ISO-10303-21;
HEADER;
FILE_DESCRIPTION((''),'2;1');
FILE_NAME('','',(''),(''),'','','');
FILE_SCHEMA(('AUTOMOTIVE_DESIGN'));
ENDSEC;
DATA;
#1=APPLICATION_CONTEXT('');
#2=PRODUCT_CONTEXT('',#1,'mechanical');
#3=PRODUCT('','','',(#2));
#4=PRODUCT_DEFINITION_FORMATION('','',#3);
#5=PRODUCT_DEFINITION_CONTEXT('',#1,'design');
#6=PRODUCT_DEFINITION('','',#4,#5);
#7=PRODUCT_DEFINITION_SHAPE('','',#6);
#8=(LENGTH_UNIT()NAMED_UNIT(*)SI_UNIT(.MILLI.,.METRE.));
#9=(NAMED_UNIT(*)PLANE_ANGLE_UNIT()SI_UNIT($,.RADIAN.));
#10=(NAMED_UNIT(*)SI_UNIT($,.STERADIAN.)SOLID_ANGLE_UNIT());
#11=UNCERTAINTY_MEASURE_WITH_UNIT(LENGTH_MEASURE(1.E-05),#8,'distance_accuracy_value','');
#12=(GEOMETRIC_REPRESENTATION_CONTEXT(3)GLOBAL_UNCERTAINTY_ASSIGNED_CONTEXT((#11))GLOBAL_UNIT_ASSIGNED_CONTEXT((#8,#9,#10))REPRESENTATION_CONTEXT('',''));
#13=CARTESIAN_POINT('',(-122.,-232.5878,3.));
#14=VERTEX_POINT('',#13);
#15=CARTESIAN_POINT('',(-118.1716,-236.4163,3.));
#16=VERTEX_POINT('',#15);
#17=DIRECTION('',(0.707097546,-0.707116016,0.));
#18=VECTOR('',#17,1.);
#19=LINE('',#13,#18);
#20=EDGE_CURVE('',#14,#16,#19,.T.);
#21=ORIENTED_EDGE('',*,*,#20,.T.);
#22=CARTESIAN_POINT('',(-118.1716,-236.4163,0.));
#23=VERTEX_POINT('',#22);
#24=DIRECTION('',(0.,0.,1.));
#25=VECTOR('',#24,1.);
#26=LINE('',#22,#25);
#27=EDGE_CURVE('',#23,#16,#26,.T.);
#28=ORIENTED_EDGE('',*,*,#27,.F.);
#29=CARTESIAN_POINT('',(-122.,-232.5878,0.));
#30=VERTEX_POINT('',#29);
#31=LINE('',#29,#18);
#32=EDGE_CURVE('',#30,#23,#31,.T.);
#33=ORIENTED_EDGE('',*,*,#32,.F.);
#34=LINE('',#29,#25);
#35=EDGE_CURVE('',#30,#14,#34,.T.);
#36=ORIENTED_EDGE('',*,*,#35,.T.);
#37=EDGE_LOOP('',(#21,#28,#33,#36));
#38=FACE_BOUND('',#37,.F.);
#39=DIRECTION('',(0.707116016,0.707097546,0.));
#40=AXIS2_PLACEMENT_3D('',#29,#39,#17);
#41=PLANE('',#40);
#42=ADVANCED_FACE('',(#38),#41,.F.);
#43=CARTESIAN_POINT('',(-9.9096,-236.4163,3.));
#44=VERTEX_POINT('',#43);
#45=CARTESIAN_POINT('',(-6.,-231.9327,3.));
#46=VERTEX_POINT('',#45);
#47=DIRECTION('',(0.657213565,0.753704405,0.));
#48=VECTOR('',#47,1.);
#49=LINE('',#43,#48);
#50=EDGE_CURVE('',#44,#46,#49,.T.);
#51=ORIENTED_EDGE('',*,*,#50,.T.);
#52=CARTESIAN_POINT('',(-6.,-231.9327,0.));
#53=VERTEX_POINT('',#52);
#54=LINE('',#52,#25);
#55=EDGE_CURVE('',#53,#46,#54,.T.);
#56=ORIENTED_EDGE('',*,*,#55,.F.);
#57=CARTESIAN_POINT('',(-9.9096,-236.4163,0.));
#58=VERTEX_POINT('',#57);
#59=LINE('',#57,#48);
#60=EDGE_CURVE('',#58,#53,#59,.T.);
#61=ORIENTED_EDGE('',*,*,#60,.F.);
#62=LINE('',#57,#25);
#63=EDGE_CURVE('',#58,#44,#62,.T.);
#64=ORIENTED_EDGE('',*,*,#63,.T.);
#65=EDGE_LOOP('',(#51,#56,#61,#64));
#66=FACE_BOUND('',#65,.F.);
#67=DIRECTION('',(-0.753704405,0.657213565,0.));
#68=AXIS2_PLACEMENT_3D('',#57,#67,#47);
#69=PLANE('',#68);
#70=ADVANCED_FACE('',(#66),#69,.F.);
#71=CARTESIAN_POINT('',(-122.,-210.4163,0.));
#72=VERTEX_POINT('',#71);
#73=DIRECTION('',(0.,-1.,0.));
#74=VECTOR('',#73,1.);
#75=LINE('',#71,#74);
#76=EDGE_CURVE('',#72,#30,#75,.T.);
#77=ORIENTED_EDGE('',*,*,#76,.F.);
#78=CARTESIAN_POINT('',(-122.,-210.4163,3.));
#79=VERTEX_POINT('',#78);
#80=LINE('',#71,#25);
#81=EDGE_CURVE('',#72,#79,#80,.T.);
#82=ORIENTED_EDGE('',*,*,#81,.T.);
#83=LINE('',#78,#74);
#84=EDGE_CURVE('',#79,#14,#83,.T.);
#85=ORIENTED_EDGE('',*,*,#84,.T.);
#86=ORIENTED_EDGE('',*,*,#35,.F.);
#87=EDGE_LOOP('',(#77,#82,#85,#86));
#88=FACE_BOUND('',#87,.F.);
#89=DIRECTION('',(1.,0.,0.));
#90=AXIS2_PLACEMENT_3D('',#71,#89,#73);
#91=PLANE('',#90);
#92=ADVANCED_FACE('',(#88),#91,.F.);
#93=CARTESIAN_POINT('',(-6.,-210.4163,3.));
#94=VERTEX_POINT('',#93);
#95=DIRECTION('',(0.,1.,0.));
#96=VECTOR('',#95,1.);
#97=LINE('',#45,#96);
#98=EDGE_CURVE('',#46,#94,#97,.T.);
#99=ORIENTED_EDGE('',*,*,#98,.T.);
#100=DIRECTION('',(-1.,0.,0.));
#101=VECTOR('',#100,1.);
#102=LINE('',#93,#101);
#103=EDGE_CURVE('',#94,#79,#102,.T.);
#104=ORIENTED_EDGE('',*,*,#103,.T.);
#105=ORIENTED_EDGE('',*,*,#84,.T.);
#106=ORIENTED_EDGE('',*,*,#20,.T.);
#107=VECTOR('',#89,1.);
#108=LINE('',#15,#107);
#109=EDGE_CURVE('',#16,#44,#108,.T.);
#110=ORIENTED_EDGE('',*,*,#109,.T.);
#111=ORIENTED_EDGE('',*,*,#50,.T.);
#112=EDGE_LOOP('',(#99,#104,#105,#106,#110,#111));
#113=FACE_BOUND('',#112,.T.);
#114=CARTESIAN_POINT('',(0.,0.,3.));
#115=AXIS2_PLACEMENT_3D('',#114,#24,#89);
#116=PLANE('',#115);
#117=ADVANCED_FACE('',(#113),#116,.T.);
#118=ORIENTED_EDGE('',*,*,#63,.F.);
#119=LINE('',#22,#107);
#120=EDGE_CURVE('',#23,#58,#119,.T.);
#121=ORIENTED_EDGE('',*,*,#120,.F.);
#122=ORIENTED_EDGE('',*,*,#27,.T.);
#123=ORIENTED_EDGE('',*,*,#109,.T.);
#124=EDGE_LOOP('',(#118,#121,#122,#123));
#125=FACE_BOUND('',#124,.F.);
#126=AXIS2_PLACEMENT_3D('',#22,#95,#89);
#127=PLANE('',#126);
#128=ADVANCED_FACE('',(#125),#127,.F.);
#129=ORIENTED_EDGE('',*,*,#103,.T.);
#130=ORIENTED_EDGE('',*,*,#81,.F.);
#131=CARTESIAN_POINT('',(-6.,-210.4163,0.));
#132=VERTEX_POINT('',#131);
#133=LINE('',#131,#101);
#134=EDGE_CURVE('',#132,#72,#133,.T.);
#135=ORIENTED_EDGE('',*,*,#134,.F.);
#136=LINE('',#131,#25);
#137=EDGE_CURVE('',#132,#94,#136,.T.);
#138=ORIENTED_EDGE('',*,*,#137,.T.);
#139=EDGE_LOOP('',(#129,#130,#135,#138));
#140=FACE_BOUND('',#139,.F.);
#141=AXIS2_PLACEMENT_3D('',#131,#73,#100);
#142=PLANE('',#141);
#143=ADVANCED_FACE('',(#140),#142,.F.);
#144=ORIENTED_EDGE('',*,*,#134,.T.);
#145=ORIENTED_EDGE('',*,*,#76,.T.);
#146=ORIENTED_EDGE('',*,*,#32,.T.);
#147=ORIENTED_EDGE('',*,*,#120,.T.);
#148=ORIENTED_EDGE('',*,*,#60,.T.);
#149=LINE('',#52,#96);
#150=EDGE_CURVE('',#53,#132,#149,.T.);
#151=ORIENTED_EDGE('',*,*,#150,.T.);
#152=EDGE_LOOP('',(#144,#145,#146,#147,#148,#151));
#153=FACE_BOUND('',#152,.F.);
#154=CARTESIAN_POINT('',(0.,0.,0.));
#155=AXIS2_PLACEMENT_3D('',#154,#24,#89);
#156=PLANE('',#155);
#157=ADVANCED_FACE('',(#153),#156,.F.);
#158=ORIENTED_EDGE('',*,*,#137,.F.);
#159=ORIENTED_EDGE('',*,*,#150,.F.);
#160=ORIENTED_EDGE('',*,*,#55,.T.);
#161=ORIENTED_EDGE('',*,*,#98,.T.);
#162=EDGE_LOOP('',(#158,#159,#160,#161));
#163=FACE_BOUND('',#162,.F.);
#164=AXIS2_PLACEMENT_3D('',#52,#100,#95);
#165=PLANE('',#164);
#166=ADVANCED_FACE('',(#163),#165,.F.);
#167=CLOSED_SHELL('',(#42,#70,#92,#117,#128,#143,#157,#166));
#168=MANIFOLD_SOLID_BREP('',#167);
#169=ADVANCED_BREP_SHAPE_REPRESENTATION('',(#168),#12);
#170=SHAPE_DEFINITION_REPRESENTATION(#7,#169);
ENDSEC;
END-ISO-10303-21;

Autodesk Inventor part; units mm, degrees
ref_plane "YZ Plane" through (0, 0, 0) normal (1, 0, 0) x (0, 1, 0)
ref_plane "XZ Plane" through (0, 0, 0) normal (0, 1, 0) x (-1, 0, 0)
ref_plane "Work Plane1" through (0, 0, 0) normal (0, 0, 1) x (1, 0, 0)
sketch "Sketch1" plane through (0, 0, 0) normal (0, 0, 1) x (1, 0, 0)
  line L0 (-109, -242.4163) -> (-109, -238.4163)
  line L1 (-119, -238.4163) -> (-109, -238.4163)
  arc A0 (-124, -233.4163) -> (-119, -238.4163) centre (-119, -233.4163) ccw
  line L2 (-124, -154.5344) -> (-124, -233.4163)
  arc A1 (-123.8494, -153.3167) -> (-124, -154.5344) centre (-119, -154.5344) ccw
  line L3 (-103.571, -72.5602) -> (-123.8494, -153.3167)
  arc A2 (-103.1284, -71.4158) -> (-103.571, -72.5602) centre (-98.7216, -73.7779) ccw
  line L4 (-68.4069, -6.6379) -> (-103.1284, -71.4158)
  arc A3 (-59.5931, -6.6379) -> (-68.4069, -6.6379) centre (-64, -9) ccw
  line L5 (-24.8716, -71.4158) -> (-59.5931, -6.6379)
  arc A4 (-24.429, -72.5602) -> (-24.8716, -71.4158) centre (-29.2784, -73.7779) ccw
  line L6 (-4.1506, -153.3167) -> (-24.429, -72.5602)
  arc A5 (-4, -154.5344) -> (-4.1506, -153.3167) centre (-9, -154.5344) ccw
  line L7 (-4, -233.4163) -> (-4, -154.5344)
  arc A6 (-9, -238.4163) -> (-4, -233.4163) centre (-9, -233.4163) ccw
  line L8 (-19, -238.4163) -> (-9, -238.4163)
  line L9 (-19, -238.4163) -> (-19, -242.4163)
  line L10 (-9, -242.4163) -> (-19, -242.4163)
  arc A7 (-9, -242.4163) -> (0, -233.4163) centre (-9, -233.4163) ccw
  line L11 (0, -154.5344) -> (0, -233.4163)
  arc A8 (0, -154.5344) -> (-0.271, -152.3425) centre (-9, -154.5344) ccw
  line L12 (-20.5494, -71.586) -> (-0.271, -152.3425)
  arc A9 (-20.5494, -71.586) -> (-21.3461, -69.5261) centre (-29.2784, -73.7779) ccw
  line L13 (-56.0677, -4.7482) -> (-21.3461, -69.5261)
  arc A10 (-56.0677, -4.7482) -> (-71.9323, -4.7482) centre (-64, -9) ccw
  line L14 (-106.6539, -69.5261) -> (-71.9323, -4.7482)
  arc A11 (-106.6539, -69.5261) -> (-107.4506, -71.586) centre (-98.7216, -73.7779) ccw
  line L15 (-127.729, -152.3425) -> (-107.4506, -71.586)
  arc A12 (-127.729, -152.3425) -> (-128, -154.5344) centre (-119, -154.5344) ccw
  line L16 (-128, -233.4163) -> (-128, -154.5344)
  arc A13 (-128, -233.4163) -> (-119, -242.4163) centre (-119, -233.4163) ccw
  line L17 (-109, -242.4163) -> (-119, -242.4163)
  line L18 (-124, -208.4163) -> (-4, -208.4163)
  line L19 (-4, -208.4163) -> (-4, -232.6822)
  line L20 (-9, -238.4163) -> (-119, -238.4163)
  line L21 (-124, -233.4163) -> (-124, -208.4163)
  line L22 (-119, -238.4163) -> (-124, -233.4163)
  line L23 (-9, -238.4163) -> (-4, -232.6822)
  line L24 (-118.1716, -236.4163) -> (-9.9096, -236.4163)
  line L25 (-9.9096, -236.4163) -> (-6, -231.9327)
  line L26 (-6, -231.9327) -> (-6, -210.4163)
  line L27 (-6, -210.4163) -> (-122, -210.4163)
  line L28 (-122, -210.4163) -> (-122, -232.5878)
  line L29 (-122, -232.5878) -> (-118.1716, -236.4163)
  point P0 (0, 0)
  dimension "d3" = 45
  dimension "d4" = 41.088
  dimension "d5" = 30
  dimension "d6" = 2
extrude "Plate1" add sketch "Sketch1" along normal blind 3 contours L29 L28 L27 L26 L25 L24
ref_plane "midtplan" through (-64, -232.5878, 0) normal (-1, 0, 0) x (0, 0, 1)
equation "\"d7\" = Thickness"
equation "\"Thickness\" = pladetykkelse"
equation "\"BendRadius\" = 1.5 * Thickness"
equation "\"BendReliefWidth\" = Thickness"
equation "\"BendReliefDepth\" = 0.5 * Thickness"
equation "\"CornerReliefSize\" = 4 * Thickness"
equation "\"MinimumRemnant\" = 2 * Thickness"
equation "\"TransitionRadius\" = BendRadius"
equation "\"JacobiRadiusSize\" = BendRadius"
equation "\"GapSize\" = Thickness"
equation "\"pladetykkelse\" = 3"
equation "\"trappevinkel\" = 34.3deg"
equation "\"trappestifter_dia\" = 25"
equation "\"trappestifter_huldia\" = 25.8"
equation "\"trappestifter_skraa_huldia\" = 26.6"
equation "\"trappestifter_laengde\" = 228"
equation "\"perforeringsbredde\" = 6"
equation "\"perforeringshullaengde\" = 62.8"
equation "\"perforeringshullaengde_top\" = 61"
equation "\"perforeringshullaengde_bund\" = 61.6"
equation "\"perforeringsoffset\" = 8"
equation "\"perforeringsoffset_top\" = 8"
equation "\"perforeringsoffset_bund\" = 8"
equation "\"laskehul_dia\" = 13"
equation "\"balusterhul_udvidelse\" = 1"
equation "\"trinbredde\" = 1884"
properties part number "skot opad" material "S355MC"
